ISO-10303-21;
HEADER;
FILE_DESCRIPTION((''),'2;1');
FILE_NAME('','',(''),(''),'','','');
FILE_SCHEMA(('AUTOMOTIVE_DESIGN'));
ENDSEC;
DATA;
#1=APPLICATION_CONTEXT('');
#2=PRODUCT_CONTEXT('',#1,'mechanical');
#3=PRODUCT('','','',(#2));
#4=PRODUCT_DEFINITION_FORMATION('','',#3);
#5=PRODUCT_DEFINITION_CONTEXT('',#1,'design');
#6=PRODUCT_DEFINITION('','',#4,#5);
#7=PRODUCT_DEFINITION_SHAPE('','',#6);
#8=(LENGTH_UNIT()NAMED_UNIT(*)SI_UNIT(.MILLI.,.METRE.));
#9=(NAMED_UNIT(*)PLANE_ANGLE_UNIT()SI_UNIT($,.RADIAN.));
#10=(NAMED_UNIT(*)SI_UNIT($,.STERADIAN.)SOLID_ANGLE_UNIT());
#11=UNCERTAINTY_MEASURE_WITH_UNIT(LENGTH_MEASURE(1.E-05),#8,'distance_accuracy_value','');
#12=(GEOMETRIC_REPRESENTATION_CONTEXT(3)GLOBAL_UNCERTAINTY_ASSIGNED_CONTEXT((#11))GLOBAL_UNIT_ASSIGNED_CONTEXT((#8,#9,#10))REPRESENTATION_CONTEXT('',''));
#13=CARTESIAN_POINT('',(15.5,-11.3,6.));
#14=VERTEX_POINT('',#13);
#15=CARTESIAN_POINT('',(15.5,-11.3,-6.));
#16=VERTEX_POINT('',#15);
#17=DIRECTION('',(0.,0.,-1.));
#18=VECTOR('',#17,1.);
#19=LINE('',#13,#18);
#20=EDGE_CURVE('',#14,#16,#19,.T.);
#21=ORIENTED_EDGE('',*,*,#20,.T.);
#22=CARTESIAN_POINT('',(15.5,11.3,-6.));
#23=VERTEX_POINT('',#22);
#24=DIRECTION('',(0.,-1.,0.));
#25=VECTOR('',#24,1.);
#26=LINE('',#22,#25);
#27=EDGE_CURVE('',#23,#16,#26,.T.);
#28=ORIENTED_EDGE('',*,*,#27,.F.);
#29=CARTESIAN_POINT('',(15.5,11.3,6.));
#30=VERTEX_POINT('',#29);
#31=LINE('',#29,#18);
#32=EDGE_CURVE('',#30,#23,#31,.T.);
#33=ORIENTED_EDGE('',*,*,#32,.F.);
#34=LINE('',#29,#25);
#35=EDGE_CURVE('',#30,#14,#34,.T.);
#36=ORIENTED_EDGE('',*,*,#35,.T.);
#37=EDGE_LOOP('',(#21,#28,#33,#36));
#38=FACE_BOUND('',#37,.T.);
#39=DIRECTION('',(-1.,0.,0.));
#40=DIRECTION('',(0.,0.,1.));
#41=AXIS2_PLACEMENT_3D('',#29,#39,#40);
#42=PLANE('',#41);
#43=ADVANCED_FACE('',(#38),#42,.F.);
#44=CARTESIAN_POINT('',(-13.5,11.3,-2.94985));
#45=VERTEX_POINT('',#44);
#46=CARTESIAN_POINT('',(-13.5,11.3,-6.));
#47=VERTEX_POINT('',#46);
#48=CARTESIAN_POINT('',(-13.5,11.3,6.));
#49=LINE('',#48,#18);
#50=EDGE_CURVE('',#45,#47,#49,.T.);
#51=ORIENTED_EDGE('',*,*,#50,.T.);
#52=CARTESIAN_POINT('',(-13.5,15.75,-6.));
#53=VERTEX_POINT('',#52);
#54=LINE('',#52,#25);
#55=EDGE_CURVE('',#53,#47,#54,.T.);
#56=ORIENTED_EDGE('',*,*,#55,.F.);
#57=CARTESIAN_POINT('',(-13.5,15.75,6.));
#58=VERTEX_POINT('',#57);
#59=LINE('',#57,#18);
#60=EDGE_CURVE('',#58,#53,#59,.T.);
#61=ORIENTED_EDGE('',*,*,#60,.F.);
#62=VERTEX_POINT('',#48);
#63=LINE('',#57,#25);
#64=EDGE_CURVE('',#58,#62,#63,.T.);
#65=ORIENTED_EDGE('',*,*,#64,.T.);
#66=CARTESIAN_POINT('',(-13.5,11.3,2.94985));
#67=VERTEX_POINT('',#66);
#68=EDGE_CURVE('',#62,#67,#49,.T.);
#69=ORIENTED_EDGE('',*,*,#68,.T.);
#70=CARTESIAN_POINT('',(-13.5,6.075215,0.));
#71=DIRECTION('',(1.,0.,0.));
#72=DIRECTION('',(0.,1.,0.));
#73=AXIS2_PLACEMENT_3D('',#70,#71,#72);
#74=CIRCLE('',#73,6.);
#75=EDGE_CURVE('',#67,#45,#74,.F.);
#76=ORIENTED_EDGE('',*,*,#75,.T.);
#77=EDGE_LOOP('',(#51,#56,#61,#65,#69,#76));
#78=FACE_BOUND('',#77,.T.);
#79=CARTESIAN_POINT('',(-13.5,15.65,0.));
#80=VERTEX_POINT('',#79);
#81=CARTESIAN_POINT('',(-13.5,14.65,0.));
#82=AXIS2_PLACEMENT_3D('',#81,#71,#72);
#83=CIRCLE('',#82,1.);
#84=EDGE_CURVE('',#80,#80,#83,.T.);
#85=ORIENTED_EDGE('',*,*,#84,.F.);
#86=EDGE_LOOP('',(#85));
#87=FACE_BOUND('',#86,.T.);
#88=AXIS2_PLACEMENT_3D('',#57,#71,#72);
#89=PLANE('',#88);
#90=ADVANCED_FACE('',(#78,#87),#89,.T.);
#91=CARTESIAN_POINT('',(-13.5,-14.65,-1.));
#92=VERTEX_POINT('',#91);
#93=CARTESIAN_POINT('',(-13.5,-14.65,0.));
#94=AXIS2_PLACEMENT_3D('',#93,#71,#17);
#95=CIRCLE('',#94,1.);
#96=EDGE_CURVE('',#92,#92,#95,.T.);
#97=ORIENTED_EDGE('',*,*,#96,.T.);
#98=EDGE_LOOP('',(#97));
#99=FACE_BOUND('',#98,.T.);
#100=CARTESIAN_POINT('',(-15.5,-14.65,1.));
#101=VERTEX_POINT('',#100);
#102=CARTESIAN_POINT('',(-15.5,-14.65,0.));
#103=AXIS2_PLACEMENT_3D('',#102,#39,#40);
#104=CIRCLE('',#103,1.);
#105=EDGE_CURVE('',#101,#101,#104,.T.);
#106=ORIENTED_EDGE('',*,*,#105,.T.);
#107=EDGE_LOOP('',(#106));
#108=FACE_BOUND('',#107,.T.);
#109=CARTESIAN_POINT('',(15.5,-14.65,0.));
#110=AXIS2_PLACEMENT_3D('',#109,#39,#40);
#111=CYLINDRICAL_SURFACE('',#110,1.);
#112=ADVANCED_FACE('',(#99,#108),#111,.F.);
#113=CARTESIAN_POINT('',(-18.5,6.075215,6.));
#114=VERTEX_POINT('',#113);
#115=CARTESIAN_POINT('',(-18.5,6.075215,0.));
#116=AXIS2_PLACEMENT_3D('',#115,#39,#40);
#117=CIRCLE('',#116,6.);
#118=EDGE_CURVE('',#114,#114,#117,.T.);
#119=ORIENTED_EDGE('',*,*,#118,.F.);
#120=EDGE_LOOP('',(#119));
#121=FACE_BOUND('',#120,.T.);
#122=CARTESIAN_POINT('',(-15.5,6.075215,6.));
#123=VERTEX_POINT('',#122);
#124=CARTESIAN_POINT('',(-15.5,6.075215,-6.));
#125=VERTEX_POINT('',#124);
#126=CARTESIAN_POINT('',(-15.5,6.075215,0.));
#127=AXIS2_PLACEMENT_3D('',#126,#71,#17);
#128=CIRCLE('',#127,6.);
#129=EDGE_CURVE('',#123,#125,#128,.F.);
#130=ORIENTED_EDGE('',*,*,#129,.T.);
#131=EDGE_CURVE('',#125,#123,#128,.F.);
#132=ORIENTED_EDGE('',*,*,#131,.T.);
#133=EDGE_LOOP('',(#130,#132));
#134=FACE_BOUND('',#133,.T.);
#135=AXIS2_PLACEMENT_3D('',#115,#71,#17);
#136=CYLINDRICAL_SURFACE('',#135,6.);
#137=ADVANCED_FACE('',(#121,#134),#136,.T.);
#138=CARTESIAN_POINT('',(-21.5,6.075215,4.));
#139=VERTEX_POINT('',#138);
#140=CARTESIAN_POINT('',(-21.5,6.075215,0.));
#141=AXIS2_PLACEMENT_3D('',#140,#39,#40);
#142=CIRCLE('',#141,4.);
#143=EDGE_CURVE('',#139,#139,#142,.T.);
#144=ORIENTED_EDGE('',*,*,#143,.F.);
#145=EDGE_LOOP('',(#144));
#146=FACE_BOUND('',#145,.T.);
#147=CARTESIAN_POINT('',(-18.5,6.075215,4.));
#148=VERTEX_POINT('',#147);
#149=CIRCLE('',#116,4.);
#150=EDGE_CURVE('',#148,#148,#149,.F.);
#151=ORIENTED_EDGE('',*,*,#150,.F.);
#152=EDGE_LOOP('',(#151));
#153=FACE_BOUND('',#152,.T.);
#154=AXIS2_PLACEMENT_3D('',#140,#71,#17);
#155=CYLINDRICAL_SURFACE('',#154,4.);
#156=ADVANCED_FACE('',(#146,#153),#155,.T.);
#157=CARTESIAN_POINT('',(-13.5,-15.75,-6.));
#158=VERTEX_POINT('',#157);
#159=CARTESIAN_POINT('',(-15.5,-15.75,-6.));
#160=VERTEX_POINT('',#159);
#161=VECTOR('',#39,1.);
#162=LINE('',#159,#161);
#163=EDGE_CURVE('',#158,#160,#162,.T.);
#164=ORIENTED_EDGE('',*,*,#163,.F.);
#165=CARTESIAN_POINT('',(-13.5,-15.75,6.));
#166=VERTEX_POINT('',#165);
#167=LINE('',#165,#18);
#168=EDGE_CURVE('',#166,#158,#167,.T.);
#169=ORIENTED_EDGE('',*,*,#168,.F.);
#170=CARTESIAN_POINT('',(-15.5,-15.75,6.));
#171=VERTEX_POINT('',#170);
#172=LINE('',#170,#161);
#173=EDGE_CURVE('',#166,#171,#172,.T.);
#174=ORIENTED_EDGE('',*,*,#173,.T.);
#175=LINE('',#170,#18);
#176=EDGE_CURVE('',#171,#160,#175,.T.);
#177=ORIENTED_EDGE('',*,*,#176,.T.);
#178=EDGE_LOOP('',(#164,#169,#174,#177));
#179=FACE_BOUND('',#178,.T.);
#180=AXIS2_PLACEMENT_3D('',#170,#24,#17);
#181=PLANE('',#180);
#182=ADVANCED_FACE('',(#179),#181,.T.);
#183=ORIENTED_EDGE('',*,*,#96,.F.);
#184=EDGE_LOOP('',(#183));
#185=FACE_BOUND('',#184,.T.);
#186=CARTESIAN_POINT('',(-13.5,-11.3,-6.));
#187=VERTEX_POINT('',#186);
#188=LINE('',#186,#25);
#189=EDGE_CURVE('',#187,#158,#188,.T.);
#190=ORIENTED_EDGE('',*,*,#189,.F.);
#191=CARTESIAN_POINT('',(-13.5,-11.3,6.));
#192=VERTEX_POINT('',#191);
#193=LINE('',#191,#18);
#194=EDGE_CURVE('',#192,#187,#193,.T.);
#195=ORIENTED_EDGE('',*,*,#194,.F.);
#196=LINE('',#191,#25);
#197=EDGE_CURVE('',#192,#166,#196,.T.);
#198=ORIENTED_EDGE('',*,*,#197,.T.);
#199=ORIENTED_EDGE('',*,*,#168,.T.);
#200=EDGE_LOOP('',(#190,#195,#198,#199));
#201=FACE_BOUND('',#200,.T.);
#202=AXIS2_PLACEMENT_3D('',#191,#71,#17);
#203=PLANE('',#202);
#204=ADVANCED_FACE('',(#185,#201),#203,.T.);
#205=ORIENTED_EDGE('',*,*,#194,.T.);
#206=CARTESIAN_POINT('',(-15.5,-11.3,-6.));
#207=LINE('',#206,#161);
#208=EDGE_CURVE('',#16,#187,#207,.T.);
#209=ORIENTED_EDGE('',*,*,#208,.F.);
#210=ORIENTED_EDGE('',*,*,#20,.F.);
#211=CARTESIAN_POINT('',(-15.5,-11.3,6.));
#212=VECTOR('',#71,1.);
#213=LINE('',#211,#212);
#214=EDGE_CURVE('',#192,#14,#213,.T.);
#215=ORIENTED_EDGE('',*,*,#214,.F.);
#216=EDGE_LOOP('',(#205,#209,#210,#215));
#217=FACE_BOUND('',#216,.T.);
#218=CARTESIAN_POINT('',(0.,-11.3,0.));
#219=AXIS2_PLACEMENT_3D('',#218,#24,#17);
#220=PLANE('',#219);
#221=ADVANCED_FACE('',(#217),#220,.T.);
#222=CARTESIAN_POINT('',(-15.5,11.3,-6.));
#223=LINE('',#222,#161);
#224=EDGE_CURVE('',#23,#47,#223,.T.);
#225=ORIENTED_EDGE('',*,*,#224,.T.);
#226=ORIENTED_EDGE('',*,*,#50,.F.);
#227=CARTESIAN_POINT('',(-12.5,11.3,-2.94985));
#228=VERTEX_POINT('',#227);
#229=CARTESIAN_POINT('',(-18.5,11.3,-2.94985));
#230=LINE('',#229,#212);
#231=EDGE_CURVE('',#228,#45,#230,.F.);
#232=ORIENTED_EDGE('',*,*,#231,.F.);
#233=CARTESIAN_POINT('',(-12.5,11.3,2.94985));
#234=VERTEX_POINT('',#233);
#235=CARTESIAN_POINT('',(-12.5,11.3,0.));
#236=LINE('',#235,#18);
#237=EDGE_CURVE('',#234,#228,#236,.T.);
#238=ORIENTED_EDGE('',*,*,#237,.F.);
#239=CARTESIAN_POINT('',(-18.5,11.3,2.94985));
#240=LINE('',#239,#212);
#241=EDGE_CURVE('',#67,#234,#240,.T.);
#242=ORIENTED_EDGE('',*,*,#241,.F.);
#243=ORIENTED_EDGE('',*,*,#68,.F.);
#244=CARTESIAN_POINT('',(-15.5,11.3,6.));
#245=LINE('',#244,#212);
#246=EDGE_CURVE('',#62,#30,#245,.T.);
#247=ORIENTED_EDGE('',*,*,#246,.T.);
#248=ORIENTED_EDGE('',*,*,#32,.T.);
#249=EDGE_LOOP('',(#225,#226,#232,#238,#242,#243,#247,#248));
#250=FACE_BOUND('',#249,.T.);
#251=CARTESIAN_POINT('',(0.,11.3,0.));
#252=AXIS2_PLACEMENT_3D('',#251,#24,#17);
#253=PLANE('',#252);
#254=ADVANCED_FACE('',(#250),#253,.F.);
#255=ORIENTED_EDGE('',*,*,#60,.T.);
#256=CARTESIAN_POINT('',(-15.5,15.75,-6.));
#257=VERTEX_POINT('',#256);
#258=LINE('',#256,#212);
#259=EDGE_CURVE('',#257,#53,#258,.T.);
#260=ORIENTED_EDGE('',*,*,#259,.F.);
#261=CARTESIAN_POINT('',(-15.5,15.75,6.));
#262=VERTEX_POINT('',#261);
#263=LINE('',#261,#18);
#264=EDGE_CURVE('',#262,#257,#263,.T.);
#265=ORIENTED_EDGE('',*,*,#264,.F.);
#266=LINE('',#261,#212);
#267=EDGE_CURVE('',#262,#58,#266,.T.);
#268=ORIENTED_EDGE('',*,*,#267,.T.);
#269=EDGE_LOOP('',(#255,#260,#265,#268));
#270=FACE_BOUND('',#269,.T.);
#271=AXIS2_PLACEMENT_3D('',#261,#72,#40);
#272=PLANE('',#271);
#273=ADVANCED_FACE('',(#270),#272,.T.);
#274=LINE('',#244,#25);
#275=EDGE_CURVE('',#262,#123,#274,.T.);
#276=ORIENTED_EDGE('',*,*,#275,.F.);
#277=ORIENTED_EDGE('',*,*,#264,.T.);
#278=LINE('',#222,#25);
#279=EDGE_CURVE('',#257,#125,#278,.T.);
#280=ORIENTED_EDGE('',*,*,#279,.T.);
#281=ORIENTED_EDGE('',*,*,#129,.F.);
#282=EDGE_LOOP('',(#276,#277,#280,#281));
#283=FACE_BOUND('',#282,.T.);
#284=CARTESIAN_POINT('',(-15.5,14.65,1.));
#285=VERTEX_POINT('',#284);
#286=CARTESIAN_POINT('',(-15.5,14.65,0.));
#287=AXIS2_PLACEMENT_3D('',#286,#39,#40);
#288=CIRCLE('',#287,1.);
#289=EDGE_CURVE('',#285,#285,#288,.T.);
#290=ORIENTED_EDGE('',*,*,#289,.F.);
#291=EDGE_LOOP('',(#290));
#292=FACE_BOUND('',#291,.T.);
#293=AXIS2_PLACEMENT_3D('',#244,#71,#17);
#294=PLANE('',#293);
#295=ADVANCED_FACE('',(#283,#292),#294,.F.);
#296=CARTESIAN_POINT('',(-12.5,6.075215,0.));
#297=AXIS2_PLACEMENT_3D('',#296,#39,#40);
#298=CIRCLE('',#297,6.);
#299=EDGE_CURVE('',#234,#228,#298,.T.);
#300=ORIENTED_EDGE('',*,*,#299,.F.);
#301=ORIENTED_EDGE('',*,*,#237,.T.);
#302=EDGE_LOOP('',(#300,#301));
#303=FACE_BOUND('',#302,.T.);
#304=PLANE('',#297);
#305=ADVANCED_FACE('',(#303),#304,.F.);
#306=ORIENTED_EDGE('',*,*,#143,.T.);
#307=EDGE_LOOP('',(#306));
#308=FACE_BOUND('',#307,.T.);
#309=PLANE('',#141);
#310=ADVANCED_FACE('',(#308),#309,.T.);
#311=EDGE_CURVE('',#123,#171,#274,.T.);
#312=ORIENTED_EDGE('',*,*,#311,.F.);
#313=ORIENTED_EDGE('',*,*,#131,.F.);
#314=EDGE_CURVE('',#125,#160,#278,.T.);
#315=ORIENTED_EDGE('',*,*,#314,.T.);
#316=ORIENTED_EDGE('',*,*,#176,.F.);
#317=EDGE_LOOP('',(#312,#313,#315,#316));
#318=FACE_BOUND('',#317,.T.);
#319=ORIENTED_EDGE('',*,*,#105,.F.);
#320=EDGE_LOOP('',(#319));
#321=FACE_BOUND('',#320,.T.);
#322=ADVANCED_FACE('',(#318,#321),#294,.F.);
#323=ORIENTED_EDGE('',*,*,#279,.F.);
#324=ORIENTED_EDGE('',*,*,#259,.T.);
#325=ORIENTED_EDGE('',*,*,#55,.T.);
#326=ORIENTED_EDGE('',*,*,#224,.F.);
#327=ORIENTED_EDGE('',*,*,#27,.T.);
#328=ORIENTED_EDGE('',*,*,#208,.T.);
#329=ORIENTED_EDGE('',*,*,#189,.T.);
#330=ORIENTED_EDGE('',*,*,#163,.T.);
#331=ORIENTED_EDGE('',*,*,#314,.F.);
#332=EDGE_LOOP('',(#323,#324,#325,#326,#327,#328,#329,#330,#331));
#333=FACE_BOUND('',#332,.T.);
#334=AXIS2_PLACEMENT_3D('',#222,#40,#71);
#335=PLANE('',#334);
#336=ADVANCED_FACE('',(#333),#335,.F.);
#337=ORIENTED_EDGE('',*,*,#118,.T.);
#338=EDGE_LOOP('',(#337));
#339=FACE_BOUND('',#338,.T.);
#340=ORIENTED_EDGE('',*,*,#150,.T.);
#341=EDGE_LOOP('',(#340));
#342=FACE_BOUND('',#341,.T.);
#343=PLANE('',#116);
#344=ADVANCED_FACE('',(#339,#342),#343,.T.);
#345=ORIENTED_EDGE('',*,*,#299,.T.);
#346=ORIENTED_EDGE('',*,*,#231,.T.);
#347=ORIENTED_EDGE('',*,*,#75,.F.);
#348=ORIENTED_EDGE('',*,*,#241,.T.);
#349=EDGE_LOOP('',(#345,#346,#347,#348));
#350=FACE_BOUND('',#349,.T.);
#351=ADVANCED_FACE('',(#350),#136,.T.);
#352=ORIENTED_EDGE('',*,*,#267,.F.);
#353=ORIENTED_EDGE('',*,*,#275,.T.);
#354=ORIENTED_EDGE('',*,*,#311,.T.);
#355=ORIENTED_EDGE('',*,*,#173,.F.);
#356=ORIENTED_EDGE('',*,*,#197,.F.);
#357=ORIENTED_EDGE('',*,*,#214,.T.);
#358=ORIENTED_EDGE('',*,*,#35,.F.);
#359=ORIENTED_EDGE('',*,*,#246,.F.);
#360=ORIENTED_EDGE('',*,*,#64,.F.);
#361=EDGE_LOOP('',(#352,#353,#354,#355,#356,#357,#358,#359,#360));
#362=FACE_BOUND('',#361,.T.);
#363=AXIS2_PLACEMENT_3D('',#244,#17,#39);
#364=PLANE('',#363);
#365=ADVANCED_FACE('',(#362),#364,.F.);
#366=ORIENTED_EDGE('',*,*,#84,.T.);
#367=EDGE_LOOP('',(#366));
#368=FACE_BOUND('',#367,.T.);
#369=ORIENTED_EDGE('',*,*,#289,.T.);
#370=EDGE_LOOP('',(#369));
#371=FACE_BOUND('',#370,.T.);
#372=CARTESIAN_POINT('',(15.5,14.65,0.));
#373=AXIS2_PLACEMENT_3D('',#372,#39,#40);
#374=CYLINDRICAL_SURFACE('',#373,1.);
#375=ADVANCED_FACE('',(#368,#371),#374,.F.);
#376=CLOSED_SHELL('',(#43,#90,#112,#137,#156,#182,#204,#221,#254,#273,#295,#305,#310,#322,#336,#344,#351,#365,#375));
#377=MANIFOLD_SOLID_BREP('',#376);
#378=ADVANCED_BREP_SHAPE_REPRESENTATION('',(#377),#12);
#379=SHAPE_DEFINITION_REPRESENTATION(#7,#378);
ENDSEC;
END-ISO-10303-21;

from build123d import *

# Parameters (mm, degrees)
SKETCH1_W           = 31
SKETCH1_H           = 12
BOSS_EXTRUDE1_DEPTH = 11.3
SKETCH3_W           = 2
SKETCH3_H           = 4.45
BOSS_EXTRUDE2_DEPTH = 12
SKETCH4_W           = 2
SKETCH4_H           = 4.45
BOSS_EXTRUDE3_DEPTH = 12
SKETCH5_R           = 1
CUT_EXTRUDE1_DEPTH  = 36.285443174
SKETCH6_R           = 6
BOSS_EXTRUDE4_DEPTH = 3
SKETCH8_R           = 4
BOSS_EXTRUDE5_DEPTH = 3


with BuildPart() as part:
    # Sketch1 → Boss-Extrude1 (new, symmetric)
    with BuildSketch(Plane(origin=(0, 0, 0), x_dir=(1, 0, 0), z_dir=(0, 1, 0))):
        Rectangle(SKETCH1_W, SKETCH1_H)
    extrude(amount=BOSS_EXTRUDE1_DEPTH, both=True)

    # Sketch3 → Boss-Extrude2 (add)
    with BuildSketch(Plane(origin=(0, 0, -6), x_dir=(-1, 0, 0), z_dir=(0, 0, -1))):
        with Locations((14.5, 13.525)):
            Rectangle(SKETCH3_W, SKETCH3_H)
    extrude(amount=-BOSS_EXTRUDE2_DEPTH)

    # Sketch4 → Boss-Extrude3 (add)
    with BuildSketch(Plane(origin=(0, 0, -6), x_dir=(-1, 0, 0), z_dir=(0, 0, -1))):
        with Locations((14.5, -13.525)):
            Rectangle(SKETCH4_W, SKETCH4_H)
    extrude(amount=-BOSS_EXTRUDE3_DEPTH)

    # Sketch5 → Cut-Extrude1 (cut, through all)
    with BuildSketch(Plane.ZY.offset(15.5)):
        with Locations((0, 14.65)):
            Circle(SKETCH5_R)
        with Locations((0, -14.65)):
            Circle(SKETCH5_R)
    extrude(amount=-CUT_EXTRUDE1_DEPTH, mode=Mode.SUBTRACT)

    # Sketch6 → Boss-Extrude4 (add, symmetric)
    with BuildSketch(Plane.ZY.offset(15.5)):
        with Locations((0, 6.07521459)):
            Circle(SKETCH6_R)
    extrude(amount=BOSS_EXTRUDE4_DEPTH, both=True)

    # Sketch8 → Boss-Extrude5 (add, symmetric)
    with BuildSketch(Plane.ZY.offset(18.5)):
        with Locations((0, 6.07521459)):
            Circle(SKETCH8_R)
    extrude(amount=BOSS_EXTRUDE5_DEPTH, both=True)


solid = part.part
